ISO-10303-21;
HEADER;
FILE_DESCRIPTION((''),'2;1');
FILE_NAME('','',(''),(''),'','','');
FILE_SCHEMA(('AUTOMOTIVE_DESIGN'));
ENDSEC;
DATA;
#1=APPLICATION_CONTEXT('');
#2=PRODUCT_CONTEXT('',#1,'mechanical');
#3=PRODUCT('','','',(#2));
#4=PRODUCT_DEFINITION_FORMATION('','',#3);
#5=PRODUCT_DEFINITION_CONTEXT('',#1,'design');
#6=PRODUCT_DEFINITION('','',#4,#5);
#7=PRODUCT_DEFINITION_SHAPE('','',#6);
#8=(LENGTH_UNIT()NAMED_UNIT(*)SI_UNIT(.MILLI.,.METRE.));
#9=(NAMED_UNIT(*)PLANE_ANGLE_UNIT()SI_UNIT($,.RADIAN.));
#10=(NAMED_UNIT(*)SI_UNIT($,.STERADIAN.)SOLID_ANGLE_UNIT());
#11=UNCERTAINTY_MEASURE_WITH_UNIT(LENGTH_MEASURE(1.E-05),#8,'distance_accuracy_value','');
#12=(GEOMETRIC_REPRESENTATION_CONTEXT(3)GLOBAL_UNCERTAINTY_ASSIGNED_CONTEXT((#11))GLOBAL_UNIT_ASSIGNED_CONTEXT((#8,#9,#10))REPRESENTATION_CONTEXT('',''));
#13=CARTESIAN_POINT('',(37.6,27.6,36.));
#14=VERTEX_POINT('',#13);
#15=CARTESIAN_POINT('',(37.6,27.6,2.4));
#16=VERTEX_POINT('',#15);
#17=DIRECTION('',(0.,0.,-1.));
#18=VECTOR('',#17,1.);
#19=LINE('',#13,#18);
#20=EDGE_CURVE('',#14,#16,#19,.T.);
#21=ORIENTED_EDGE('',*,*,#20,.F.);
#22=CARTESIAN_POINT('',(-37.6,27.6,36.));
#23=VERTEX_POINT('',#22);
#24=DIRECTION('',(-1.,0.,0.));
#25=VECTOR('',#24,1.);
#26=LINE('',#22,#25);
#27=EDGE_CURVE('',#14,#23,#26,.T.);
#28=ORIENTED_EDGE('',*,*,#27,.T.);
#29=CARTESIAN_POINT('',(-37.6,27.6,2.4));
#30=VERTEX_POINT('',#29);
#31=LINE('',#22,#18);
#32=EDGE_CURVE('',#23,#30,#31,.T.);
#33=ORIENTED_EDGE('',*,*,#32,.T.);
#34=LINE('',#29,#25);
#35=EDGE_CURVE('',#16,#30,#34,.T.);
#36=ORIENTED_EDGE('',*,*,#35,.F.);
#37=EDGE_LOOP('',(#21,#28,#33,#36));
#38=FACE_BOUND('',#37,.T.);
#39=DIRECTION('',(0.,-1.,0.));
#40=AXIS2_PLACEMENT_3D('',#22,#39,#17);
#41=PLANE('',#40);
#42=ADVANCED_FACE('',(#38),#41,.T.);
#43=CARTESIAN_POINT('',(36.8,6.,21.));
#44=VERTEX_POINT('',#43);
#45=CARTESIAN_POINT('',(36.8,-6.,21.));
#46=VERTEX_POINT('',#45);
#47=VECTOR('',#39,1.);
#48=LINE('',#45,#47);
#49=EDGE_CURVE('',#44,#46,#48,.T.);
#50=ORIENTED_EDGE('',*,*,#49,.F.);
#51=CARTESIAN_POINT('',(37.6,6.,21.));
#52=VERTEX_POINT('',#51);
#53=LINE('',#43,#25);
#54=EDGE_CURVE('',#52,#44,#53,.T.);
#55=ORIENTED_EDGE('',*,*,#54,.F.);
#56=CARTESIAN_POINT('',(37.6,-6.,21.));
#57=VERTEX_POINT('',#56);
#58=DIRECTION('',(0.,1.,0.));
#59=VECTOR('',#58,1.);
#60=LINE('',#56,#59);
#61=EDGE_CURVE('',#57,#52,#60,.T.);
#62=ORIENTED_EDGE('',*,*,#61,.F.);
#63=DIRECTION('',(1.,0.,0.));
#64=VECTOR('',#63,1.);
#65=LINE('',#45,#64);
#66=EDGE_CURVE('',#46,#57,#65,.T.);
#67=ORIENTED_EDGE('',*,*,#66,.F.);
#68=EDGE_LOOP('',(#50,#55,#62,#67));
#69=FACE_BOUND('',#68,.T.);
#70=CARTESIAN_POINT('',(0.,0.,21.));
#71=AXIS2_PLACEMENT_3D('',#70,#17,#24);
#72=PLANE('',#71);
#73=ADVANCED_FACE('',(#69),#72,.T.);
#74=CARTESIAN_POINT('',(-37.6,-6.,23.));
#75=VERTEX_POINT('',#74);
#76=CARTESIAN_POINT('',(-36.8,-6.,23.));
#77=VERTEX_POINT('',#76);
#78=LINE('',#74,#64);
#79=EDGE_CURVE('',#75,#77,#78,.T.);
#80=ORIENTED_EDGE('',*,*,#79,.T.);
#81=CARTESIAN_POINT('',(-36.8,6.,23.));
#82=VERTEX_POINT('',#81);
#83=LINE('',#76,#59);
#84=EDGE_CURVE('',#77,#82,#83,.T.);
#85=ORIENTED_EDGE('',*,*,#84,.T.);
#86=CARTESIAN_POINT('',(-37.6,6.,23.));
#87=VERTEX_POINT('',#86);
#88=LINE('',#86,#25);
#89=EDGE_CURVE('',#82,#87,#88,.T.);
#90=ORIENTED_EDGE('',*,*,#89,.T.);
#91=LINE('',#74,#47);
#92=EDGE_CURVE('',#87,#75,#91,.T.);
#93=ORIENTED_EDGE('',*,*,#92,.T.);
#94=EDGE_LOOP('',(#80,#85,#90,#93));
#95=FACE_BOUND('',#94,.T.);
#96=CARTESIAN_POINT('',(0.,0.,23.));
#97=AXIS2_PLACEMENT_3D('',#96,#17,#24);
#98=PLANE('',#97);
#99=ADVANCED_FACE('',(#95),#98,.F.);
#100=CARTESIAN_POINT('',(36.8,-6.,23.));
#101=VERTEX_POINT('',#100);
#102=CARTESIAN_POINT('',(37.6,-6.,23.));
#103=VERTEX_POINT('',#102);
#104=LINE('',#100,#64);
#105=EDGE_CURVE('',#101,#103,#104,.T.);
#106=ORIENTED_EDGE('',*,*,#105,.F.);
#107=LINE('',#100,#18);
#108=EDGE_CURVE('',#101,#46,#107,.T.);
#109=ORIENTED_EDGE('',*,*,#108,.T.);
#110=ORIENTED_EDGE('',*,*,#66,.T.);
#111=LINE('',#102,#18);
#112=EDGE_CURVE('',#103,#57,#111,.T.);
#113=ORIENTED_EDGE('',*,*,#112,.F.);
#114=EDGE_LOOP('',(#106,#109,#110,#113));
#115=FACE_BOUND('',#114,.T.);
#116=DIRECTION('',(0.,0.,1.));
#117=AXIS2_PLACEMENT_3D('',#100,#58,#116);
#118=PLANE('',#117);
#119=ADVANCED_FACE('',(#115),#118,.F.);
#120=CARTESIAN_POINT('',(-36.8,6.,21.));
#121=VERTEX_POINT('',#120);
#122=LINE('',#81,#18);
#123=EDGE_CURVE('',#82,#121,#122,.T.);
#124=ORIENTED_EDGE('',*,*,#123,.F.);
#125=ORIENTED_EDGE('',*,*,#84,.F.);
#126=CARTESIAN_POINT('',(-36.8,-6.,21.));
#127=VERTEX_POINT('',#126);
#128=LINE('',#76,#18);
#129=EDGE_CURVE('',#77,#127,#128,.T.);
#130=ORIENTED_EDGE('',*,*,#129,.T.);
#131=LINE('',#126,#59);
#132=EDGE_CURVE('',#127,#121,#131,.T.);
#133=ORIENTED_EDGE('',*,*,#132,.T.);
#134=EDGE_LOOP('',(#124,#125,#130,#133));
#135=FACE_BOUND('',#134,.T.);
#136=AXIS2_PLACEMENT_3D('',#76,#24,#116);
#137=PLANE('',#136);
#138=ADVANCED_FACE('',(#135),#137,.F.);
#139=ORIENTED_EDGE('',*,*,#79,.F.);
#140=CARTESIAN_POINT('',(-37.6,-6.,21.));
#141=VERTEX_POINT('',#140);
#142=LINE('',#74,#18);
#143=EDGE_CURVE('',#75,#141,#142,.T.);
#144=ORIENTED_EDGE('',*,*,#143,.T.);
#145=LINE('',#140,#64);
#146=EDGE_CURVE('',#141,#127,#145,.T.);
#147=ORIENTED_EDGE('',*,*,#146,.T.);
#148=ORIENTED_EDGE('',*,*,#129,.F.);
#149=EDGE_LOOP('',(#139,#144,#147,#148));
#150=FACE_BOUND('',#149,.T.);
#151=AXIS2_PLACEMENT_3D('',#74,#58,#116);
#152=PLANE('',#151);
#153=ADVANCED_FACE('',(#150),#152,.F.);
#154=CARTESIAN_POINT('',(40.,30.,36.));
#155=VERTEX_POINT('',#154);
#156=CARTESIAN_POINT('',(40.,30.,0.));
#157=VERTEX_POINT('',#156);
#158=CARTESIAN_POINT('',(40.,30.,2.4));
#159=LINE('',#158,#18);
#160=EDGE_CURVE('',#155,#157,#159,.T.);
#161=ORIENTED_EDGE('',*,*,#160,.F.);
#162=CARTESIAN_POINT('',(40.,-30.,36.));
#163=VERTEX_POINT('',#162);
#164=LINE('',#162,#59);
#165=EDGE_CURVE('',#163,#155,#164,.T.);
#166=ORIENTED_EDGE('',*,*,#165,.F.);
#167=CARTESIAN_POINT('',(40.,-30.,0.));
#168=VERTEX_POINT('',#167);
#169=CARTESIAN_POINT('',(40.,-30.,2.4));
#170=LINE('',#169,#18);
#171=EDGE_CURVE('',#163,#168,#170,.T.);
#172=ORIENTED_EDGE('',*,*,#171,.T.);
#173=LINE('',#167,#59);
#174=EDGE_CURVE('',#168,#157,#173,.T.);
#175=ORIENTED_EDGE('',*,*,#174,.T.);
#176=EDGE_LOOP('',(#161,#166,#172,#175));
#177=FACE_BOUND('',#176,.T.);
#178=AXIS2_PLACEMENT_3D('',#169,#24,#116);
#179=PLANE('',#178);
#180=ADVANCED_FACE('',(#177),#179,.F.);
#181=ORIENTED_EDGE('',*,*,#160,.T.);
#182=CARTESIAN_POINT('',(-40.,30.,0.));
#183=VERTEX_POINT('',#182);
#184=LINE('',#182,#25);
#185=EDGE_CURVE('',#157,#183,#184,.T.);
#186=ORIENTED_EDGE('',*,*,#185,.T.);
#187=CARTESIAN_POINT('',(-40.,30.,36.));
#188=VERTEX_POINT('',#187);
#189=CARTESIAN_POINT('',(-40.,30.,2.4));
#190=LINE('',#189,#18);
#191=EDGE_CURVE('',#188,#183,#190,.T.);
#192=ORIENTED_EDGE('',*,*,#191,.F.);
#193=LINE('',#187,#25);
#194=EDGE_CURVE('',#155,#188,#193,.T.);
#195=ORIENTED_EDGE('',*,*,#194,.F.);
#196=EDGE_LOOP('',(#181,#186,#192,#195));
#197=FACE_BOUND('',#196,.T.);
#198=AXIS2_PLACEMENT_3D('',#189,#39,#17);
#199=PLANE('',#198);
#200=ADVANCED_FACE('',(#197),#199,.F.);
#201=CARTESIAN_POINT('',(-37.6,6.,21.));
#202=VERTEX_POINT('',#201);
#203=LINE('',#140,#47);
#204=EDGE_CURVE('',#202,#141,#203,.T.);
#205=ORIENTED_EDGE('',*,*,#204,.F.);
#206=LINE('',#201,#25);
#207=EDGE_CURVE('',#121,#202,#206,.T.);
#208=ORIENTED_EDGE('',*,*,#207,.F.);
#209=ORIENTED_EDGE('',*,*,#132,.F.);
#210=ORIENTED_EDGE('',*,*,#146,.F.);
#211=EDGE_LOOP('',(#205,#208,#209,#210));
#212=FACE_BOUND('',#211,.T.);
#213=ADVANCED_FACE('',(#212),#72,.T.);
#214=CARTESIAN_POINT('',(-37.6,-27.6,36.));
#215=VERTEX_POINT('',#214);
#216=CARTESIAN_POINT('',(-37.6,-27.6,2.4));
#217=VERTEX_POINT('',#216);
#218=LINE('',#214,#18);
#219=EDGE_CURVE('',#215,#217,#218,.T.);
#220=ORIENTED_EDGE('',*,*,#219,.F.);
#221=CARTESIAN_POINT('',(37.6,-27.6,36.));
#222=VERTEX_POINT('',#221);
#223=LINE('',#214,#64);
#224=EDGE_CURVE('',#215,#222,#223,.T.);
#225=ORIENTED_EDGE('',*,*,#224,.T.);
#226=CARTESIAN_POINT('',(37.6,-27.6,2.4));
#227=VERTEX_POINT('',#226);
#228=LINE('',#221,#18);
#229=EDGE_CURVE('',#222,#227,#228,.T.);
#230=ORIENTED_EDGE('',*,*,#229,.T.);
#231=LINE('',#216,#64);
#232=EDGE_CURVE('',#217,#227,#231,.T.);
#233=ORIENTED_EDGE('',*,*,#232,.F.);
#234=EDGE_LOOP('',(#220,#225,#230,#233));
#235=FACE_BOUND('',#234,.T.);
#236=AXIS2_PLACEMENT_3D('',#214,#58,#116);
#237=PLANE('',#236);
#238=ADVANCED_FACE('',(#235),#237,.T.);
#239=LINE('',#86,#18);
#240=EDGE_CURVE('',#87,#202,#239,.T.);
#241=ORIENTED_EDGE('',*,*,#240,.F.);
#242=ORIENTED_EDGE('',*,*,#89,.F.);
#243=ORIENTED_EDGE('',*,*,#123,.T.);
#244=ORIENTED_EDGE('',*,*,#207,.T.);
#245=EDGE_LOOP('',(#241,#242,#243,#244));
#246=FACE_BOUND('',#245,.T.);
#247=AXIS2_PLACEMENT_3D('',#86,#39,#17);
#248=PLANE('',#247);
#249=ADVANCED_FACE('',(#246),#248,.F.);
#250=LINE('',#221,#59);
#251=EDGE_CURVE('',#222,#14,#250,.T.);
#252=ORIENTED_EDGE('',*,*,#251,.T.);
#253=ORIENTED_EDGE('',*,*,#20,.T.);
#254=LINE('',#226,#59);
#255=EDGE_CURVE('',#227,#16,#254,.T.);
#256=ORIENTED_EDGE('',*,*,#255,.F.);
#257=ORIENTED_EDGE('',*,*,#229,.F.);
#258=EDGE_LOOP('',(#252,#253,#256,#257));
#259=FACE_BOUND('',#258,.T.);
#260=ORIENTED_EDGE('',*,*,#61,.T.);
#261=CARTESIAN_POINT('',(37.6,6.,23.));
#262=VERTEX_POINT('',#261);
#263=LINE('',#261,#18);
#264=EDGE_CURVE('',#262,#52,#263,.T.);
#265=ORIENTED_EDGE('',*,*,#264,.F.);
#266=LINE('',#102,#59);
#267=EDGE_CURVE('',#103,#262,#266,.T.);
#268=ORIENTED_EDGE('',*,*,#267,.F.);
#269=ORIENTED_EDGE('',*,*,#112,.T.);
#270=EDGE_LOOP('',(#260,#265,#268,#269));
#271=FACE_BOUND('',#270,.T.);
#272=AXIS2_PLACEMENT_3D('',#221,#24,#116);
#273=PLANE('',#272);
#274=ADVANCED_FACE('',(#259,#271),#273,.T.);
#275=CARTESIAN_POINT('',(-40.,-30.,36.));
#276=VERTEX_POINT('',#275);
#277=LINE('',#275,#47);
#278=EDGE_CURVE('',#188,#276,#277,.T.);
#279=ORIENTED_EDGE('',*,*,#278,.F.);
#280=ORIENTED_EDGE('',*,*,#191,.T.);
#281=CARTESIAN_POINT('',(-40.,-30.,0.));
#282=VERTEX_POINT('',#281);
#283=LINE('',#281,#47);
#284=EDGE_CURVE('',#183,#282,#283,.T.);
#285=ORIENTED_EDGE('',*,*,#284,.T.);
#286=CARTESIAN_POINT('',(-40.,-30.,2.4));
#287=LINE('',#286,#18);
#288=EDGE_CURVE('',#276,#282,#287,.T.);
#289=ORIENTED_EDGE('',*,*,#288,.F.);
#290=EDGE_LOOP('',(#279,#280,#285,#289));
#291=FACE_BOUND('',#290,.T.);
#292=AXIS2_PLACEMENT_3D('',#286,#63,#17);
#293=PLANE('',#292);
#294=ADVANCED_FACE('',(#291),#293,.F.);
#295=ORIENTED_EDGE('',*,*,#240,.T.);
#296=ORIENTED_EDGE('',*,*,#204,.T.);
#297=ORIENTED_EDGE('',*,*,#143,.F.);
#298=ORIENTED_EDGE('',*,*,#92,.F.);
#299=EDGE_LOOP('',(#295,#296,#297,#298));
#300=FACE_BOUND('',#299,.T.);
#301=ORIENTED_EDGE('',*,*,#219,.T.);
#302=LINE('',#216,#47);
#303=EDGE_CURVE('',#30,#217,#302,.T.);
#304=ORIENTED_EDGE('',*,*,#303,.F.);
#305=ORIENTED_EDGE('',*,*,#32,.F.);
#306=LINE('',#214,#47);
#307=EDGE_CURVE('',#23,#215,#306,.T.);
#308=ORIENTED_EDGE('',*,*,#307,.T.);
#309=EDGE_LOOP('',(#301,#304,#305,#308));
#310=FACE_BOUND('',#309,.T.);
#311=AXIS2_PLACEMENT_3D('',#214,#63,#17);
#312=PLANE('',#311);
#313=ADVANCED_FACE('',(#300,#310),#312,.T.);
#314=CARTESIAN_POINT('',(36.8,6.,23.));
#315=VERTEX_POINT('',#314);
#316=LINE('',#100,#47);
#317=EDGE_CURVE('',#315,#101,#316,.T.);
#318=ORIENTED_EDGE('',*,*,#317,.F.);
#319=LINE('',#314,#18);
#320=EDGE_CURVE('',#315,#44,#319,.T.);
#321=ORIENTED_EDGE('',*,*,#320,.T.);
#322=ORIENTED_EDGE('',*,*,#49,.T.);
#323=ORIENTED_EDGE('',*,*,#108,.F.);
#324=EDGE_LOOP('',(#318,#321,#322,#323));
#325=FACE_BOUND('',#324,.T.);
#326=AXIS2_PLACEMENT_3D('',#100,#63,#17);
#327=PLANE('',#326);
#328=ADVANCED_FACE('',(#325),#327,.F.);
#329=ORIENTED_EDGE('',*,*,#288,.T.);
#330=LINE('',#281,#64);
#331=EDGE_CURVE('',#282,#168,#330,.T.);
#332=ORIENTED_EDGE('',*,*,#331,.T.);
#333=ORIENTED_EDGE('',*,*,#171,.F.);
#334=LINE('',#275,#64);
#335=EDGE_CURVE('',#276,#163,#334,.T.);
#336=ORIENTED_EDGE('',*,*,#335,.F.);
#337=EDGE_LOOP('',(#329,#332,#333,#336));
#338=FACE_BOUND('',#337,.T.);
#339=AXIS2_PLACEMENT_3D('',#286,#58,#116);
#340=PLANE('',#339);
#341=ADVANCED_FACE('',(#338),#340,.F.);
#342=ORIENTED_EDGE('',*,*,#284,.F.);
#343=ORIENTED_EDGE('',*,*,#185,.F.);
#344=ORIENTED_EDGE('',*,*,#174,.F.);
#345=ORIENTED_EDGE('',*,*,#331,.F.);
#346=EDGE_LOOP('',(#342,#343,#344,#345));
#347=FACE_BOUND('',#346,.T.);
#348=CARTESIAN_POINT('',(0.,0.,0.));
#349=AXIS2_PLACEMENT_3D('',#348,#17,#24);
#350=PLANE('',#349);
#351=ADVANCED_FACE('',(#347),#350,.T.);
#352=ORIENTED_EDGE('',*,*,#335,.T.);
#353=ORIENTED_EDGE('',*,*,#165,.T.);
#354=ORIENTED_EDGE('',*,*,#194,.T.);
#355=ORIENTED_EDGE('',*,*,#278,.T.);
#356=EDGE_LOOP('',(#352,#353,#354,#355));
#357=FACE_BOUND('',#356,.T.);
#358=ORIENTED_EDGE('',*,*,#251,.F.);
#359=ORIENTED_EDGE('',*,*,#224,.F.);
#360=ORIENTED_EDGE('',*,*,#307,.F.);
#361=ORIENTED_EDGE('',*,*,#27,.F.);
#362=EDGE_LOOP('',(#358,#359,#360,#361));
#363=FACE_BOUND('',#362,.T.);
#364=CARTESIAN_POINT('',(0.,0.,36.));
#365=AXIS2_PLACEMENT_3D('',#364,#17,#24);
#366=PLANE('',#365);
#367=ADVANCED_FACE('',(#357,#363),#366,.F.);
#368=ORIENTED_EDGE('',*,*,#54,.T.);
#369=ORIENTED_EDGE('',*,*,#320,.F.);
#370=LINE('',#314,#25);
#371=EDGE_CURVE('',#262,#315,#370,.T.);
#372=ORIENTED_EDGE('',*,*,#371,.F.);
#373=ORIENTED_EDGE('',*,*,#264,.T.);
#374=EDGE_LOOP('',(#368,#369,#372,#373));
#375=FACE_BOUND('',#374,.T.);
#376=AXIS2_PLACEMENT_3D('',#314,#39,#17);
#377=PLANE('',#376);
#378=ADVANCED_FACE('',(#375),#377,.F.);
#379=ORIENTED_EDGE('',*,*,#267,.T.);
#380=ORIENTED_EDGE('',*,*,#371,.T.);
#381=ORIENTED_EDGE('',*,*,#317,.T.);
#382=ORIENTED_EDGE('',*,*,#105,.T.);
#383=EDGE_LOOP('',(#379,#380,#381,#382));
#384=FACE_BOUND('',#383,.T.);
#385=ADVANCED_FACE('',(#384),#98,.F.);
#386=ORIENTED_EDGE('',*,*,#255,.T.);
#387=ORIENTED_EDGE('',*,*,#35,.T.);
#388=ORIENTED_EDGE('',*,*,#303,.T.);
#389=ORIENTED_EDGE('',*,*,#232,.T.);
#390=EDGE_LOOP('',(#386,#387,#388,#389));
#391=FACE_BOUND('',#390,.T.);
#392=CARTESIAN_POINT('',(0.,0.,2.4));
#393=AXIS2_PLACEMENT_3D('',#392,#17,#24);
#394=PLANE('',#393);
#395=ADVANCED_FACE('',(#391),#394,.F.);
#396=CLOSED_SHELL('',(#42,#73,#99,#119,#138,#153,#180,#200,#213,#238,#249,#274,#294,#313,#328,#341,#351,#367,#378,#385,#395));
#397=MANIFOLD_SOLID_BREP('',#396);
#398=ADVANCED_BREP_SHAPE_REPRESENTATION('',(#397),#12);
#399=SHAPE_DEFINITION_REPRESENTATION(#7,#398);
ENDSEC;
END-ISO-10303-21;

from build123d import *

# Parameters (mm, degrees)
SKETCH2_W         = 80
SKETCH2_H         = 60
FLOOR_2P4_DEPTH   = 2.4
WALLS_2P4_START   = 2.4
SKETCH3_W         = 80
SKETCH3_H         = 60
SKETCH3_W_2       = 75.2
SKETCH3_H_2       = 55.2
WALLS_2P4_DEPTH   = 33.6
CATCH_LEFT_START  = 21
SKETCH4_W         = 0.8
SKETCH4_H         = 12
CATCH_LEFT_DEPTH  = 2
CATCH_RIGHT_START = 21
SKETCH5_W         = 0.8
SKETCH5_H         = 12
CATCH_RIGHT_DEPTH = 2


with BuildPart() as part:
    # Sketch2 → Floor_2p4 (new body)
    with BuildSketch(Plane.XY):
        Rectangle(SKETCH2_W, SKETCH2_H)
    extrude(amount=FLOOR_2P4_DEPTH)

    # Sketch3 → Walls_2p4 (add)
    with BuildSketch(Plane.XY.offset(WALLS_2P4_START)):
        Rectangle(SKETCH3_W, SKETCH3_H)
        Rectangle(SKETCH3_W_2, SKETCH3_H_2, mode=Mode.SUBTRACT)
    extrude(amount=WALLS_2P4_DEPTH)

    # Sketch4 → Catch_left (add)
    with BuildSketch(Plane.XY.offset(CATCH_LEFT_START)):
        with Locations((-37.2, 0)):
            Rectangle(SKETCH4_W, SKETCH4_H)
    extrude(amount=CATCH_LEFT_DEPTH)

    # Sketch5 → Catch_right (add)
    with BuildSketch(Plane.XY.offset(CATCH_RIGHT_START)):
        with Locations((37.2, 0)):
            Rectangle(SKETCH5_W, SKETCH5_H)
    extrude(amount=CATCH_RIGHT_DEPTH)


solid = part.part
